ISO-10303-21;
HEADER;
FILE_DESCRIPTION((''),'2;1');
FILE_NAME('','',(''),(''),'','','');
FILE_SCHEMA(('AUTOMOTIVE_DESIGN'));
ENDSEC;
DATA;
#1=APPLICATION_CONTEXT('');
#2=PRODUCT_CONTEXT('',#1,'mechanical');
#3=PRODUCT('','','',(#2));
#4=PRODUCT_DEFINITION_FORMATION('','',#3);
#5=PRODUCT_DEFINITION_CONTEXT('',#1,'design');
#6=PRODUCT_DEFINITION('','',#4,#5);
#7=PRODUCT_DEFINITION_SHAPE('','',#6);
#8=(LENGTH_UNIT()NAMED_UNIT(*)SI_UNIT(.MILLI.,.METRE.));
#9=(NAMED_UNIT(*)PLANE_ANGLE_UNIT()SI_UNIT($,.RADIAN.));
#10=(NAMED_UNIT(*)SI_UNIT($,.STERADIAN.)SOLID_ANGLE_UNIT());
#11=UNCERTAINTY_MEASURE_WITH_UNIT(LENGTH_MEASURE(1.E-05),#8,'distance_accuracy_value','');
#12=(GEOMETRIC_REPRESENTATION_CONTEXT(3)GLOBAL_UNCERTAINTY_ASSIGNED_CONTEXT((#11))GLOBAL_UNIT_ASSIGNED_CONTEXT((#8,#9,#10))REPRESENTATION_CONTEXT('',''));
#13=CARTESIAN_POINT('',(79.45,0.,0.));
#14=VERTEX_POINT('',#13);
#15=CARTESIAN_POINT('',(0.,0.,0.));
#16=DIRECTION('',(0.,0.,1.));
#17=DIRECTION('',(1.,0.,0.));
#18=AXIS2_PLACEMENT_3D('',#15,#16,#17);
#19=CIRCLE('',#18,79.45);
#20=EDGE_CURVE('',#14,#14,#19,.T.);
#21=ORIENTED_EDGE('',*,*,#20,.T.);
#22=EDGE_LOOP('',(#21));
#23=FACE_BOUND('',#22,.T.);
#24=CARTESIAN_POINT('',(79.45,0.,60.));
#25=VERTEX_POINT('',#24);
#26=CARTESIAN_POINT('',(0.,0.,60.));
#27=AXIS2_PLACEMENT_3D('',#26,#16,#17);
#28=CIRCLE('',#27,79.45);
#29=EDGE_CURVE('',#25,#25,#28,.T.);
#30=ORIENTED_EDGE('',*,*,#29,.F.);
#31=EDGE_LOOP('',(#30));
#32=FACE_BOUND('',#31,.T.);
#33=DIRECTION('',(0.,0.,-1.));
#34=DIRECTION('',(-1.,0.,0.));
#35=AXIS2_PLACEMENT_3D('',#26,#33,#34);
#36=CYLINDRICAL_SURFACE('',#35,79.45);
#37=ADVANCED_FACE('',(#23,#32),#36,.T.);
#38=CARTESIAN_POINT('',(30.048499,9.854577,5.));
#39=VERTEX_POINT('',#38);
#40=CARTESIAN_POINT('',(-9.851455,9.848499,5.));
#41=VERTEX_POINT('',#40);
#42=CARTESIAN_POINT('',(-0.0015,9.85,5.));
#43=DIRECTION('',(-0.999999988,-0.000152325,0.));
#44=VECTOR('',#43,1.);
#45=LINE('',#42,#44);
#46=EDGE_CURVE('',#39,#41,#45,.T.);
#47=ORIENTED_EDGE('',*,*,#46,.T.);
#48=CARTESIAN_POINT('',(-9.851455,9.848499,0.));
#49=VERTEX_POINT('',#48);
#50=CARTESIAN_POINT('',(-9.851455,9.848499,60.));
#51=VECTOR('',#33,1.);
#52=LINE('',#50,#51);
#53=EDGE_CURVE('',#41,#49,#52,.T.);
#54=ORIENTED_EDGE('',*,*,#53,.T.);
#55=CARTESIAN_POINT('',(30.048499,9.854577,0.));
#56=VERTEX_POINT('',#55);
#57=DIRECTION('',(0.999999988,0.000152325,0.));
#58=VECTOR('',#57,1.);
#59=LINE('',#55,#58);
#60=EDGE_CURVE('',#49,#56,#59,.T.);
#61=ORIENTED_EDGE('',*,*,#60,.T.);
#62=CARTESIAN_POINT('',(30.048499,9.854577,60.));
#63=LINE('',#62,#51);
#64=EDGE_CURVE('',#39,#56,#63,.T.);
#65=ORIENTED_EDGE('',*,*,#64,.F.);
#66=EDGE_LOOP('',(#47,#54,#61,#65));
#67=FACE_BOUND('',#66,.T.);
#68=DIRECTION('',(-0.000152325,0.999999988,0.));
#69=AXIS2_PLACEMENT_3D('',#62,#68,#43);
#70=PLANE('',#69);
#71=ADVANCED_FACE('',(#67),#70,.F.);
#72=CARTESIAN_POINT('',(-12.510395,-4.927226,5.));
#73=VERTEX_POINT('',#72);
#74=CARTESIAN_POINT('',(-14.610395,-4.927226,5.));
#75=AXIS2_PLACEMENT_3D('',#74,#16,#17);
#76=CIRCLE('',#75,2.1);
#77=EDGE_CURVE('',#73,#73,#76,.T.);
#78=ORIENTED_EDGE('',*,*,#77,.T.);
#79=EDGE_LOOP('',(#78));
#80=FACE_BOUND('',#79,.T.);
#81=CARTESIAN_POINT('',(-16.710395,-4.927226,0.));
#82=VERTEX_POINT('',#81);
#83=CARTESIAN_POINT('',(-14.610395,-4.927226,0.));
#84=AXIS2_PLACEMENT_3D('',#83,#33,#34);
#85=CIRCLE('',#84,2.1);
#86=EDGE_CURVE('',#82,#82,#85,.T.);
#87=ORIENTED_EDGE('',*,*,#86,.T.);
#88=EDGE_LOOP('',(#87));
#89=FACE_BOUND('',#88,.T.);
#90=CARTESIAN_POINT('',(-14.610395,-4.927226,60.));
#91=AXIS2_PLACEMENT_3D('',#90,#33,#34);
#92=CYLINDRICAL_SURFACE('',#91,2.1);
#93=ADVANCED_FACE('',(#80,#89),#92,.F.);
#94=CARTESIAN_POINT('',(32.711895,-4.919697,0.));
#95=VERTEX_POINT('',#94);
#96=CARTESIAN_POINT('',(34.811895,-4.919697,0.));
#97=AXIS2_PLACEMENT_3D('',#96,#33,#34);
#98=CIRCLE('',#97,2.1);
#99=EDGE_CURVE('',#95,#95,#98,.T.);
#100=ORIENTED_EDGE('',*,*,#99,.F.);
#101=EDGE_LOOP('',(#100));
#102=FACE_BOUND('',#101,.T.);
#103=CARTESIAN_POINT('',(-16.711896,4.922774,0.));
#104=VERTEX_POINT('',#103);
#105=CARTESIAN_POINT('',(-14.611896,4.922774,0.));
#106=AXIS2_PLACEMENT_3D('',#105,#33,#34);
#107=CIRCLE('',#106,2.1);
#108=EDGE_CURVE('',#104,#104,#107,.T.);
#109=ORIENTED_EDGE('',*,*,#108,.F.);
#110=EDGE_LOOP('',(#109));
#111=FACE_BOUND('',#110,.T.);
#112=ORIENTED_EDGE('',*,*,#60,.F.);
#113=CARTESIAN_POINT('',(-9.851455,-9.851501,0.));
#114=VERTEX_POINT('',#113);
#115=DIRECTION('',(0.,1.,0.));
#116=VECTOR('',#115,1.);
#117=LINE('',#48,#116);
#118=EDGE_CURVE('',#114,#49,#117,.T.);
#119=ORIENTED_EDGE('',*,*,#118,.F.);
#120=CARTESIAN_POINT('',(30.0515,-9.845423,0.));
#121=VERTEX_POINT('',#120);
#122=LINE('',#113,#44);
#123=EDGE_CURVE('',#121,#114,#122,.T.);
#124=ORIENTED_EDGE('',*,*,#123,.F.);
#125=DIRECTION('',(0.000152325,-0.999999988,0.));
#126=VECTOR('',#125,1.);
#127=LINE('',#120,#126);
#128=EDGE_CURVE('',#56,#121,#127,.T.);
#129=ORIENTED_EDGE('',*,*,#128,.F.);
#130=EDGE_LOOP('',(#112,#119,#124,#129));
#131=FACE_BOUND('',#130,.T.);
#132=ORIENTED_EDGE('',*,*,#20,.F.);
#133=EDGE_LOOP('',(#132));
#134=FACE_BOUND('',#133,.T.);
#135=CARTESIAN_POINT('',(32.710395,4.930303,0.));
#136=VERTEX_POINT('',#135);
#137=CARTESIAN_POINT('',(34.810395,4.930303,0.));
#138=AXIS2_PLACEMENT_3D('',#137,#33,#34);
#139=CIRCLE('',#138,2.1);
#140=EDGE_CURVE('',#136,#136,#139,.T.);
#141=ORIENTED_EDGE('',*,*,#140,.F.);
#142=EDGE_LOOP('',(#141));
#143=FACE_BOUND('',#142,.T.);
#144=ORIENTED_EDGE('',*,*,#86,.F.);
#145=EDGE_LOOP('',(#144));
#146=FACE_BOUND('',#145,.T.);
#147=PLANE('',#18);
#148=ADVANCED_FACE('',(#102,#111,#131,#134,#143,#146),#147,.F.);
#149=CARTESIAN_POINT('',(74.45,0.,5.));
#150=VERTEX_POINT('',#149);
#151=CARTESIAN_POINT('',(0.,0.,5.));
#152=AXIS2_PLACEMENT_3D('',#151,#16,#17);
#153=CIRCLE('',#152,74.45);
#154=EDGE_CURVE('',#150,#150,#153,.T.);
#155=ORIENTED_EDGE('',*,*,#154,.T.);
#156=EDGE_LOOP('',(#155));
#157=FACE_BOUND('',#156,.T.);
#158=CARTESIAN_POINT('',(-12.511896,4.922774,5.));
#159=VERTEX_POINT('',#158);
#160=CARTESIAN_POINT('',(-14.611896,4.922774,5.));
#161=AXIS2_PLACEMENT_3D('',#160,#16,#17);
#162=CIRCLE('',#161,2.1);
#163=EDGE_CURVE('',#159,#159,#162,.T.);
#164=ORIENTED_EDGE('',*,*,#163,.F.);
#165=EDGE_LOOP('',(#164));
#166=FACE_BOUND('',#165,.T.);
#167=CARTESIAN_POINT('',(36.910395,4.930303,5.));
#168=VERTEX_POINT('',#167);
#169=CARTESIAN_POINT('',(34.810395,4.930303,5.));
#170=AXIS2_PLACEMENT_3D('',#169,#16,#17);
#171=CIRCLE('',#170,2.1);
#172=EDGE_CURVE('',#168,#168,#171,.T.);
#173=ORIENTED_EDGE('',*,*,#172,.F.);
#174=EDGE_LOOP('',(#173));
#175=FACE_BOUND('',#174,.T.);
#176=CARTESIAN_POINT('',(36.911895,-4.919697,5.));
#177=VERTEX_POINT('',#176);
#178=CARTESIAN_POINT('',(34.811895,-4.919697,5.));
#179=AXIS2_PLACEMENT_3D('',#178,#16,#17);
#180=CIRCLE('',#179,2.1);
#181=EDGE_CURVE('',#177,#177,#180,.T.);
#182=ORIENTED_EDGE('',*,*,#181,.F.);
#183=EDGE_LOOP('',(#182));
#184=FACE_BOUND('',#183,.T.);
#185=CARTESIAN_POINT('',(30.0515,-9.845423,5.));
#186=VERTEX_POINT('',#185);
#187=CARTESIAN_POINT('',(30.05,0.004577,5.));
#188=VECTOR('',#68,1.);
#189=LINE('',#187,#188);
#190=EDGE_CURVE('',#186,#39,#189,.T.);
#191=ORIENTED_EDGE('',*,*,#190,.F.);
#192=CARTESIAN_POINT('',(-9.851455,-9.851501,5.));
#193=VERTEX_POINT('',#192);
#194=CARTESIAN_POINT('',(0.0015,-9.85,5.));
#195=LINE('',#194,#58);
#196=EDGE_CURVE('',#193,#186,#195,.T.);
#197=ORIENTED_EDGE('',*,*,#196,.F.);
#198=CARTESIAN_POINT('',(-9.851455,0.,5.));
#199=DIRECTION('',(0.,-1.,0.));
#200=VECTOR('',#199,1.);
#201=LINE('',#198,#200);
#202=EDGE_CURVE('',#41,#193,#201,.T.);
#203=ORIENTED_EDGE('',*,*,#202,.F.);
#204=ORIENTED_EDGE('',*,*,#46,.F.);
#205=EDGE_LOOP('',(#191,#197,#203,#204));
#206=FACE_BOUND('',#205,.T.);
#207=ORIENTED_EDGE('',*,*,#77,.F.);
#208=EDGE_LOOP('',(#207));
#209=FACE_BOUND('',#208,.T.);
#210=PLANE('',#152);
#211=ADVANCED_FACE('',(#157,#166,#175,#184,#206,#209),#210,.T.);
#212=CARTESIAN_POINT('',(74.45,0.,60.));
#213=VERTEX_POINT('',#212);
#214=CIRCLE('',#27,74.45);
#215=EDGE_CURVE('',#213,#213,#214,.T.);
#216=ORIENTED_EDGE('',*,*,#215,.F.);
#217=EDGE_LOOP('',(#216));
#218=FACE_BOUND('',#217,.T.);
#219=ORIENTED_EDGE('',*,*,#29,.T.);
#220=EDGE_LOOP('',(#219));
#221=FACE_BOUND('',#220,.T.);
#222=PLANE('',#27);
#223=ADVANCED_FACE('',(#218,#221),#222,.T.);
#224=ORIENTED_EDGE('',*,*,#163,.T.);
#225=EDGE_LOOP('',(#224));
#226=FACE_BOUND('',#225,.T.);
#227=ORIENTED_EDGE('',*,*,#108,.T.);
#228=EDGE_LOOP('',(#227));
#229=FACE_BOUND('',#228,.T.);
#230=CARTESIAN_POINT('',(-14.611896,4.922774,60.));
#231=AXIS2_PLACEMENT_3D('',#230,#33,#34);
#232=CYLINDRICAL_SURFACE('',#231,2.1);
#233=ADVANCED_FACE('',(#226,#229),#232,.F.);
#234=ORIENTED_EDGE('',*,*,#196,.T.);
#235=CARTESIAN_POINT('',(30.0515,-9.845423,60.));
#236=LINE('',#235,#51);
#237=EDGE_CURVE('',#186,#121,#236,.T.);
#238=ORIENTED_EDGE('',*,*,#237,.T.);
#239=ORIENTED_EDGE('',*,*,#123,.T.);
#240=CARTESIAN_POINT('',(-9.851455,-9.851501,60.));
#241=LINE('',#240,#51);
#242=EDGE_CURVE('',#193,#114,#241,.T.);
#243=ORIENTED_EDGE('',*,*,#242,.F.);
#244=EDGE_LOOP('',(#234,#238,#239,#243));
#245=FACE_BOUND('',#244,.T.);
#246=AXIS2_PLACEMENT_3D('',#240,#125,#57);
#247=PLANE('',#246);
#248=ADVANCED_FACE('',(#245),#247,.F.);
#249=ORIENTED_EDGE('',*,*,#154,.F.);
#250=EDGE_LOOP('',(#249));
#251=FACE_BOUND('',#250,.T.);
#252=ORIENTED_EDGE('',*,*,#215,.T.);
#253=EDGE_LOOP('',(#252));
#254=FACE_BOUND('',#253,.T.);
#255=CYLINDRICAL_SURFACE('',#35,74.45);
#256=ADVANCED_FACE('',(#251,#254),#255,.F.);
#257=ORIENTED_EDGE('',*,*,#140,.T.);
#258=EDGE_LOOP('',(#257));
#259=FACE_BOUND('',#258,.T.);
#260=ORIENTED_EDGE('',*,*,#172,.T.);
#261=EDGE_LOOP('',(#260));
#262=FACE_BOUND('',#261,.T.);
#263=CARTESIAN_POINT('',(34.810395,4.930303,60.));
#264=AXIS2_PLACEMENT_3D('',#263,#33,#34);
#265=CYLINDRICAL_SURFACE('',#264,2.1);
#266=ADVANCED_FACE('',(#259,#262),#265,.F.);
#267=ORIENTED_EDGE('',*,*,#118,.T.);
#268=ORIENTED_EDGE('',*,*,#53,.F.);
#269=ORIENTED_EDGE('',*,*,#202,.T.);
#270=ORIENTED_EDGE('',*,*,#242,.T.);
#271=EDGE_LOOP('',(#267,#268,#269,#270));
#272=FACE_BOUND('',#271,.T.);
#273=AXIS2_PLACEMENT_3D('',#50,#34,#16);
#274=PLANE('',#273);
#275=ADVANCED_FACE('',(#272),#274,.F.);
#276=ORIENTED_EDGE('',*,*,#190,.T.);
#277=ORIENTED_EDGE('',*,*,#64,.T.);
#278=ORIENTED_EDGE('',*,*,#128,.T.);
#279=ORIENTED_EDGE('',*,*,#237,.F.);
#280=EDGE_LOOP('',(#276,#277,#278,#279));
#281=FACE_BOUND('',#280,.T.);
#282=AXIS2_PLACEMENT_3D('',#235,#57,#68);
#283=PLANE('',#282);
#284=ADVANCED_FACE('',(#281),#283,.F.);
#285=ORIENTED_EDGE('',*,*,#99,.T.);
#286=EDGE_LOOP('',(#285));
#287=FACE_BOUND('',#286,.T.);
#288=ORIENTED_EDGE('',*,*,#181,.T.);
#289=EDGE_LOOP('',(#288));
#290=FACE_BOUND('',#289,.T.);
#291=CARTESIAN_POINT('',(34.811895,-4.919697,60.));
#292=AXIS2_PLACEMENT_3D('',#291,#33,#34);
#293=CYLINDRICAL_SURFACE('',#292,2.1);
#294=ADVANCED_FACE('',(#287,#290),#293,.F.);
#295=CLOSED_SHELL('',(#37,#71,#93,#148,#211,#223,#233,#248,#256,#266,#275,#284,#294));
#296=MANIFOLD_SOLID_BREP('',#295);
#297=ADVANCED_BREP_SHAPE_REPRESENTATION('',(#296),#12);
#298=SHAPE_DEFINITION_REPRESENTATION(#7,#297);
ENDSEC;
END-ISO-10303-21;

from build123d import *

# Parameters (mm, degrees)
SKETCH1_R           = 79.45
BOSS_EXTRUDE1_DEPTH = 60
SHELL1_T            = -5
SKETCH2_R           = 2.5
CUT_EXTRUDE1_DEPTH  = 60
SKETCH3_R           = 2.1
CUT_EXTRUDE2_DEPTH  = 60


with BuildPart() as part:
    # Sketch1 → Boss-Extrude1 (new body)
    with BuildSketch(Plane.XY):
        Circle(SKETCH1_R)
    extrude(amount=BOSS_EXTRUDE1_DEPTH)

    # Shell1
    shell1_openings = [part.faces().sort_by_distance(p)[0] for p in [
        (0, 0, 60),
    ]]
    offset(amount=SHELL1_T, openings=shell1_openings, kind=Kind.INTERSECTION)

    # Sketch2 → Cut-Extrude1 (cut)
    with BuildSketch(Plane.XY.offset(5)):
        Circle(SKETCH2_R)
    extrude(amount=-CUT_EXTRUDE1_DEPTH, mode=Mode.SUBTRACT)

    # Sketch3 → Cut-Extrude2 (cut)
    with BuildSketch(Plane(origin=(0, 0, 0), x_dir=(-1, 0, 0), z_dir=(0, 0, -1))):
        with Locations((-34.810395013, 4.930302556)):
            Circle(SKETCH3_R)
        with Locations((-34.811895415, -4.91969733)):
            Circle(SKETCH3_R)
        with Locations((14.610395247, -4.927225588)):
            Circle(SKETCH3_R)
        with Locations((14.61189565, 4.922774298)):
            Circle(SKETCH3_R)
        Polygon((-30.048499249, 9.854577256), (9.851454591, 9.84849949), (9.851454591, -9.851500739), (-30.051500054, -9.845422515), align=None)
    extrude(amount=-CUT_EXTRUDE2_DEPTH, mode=Mode.SUBTRACT)


solid = part.part
